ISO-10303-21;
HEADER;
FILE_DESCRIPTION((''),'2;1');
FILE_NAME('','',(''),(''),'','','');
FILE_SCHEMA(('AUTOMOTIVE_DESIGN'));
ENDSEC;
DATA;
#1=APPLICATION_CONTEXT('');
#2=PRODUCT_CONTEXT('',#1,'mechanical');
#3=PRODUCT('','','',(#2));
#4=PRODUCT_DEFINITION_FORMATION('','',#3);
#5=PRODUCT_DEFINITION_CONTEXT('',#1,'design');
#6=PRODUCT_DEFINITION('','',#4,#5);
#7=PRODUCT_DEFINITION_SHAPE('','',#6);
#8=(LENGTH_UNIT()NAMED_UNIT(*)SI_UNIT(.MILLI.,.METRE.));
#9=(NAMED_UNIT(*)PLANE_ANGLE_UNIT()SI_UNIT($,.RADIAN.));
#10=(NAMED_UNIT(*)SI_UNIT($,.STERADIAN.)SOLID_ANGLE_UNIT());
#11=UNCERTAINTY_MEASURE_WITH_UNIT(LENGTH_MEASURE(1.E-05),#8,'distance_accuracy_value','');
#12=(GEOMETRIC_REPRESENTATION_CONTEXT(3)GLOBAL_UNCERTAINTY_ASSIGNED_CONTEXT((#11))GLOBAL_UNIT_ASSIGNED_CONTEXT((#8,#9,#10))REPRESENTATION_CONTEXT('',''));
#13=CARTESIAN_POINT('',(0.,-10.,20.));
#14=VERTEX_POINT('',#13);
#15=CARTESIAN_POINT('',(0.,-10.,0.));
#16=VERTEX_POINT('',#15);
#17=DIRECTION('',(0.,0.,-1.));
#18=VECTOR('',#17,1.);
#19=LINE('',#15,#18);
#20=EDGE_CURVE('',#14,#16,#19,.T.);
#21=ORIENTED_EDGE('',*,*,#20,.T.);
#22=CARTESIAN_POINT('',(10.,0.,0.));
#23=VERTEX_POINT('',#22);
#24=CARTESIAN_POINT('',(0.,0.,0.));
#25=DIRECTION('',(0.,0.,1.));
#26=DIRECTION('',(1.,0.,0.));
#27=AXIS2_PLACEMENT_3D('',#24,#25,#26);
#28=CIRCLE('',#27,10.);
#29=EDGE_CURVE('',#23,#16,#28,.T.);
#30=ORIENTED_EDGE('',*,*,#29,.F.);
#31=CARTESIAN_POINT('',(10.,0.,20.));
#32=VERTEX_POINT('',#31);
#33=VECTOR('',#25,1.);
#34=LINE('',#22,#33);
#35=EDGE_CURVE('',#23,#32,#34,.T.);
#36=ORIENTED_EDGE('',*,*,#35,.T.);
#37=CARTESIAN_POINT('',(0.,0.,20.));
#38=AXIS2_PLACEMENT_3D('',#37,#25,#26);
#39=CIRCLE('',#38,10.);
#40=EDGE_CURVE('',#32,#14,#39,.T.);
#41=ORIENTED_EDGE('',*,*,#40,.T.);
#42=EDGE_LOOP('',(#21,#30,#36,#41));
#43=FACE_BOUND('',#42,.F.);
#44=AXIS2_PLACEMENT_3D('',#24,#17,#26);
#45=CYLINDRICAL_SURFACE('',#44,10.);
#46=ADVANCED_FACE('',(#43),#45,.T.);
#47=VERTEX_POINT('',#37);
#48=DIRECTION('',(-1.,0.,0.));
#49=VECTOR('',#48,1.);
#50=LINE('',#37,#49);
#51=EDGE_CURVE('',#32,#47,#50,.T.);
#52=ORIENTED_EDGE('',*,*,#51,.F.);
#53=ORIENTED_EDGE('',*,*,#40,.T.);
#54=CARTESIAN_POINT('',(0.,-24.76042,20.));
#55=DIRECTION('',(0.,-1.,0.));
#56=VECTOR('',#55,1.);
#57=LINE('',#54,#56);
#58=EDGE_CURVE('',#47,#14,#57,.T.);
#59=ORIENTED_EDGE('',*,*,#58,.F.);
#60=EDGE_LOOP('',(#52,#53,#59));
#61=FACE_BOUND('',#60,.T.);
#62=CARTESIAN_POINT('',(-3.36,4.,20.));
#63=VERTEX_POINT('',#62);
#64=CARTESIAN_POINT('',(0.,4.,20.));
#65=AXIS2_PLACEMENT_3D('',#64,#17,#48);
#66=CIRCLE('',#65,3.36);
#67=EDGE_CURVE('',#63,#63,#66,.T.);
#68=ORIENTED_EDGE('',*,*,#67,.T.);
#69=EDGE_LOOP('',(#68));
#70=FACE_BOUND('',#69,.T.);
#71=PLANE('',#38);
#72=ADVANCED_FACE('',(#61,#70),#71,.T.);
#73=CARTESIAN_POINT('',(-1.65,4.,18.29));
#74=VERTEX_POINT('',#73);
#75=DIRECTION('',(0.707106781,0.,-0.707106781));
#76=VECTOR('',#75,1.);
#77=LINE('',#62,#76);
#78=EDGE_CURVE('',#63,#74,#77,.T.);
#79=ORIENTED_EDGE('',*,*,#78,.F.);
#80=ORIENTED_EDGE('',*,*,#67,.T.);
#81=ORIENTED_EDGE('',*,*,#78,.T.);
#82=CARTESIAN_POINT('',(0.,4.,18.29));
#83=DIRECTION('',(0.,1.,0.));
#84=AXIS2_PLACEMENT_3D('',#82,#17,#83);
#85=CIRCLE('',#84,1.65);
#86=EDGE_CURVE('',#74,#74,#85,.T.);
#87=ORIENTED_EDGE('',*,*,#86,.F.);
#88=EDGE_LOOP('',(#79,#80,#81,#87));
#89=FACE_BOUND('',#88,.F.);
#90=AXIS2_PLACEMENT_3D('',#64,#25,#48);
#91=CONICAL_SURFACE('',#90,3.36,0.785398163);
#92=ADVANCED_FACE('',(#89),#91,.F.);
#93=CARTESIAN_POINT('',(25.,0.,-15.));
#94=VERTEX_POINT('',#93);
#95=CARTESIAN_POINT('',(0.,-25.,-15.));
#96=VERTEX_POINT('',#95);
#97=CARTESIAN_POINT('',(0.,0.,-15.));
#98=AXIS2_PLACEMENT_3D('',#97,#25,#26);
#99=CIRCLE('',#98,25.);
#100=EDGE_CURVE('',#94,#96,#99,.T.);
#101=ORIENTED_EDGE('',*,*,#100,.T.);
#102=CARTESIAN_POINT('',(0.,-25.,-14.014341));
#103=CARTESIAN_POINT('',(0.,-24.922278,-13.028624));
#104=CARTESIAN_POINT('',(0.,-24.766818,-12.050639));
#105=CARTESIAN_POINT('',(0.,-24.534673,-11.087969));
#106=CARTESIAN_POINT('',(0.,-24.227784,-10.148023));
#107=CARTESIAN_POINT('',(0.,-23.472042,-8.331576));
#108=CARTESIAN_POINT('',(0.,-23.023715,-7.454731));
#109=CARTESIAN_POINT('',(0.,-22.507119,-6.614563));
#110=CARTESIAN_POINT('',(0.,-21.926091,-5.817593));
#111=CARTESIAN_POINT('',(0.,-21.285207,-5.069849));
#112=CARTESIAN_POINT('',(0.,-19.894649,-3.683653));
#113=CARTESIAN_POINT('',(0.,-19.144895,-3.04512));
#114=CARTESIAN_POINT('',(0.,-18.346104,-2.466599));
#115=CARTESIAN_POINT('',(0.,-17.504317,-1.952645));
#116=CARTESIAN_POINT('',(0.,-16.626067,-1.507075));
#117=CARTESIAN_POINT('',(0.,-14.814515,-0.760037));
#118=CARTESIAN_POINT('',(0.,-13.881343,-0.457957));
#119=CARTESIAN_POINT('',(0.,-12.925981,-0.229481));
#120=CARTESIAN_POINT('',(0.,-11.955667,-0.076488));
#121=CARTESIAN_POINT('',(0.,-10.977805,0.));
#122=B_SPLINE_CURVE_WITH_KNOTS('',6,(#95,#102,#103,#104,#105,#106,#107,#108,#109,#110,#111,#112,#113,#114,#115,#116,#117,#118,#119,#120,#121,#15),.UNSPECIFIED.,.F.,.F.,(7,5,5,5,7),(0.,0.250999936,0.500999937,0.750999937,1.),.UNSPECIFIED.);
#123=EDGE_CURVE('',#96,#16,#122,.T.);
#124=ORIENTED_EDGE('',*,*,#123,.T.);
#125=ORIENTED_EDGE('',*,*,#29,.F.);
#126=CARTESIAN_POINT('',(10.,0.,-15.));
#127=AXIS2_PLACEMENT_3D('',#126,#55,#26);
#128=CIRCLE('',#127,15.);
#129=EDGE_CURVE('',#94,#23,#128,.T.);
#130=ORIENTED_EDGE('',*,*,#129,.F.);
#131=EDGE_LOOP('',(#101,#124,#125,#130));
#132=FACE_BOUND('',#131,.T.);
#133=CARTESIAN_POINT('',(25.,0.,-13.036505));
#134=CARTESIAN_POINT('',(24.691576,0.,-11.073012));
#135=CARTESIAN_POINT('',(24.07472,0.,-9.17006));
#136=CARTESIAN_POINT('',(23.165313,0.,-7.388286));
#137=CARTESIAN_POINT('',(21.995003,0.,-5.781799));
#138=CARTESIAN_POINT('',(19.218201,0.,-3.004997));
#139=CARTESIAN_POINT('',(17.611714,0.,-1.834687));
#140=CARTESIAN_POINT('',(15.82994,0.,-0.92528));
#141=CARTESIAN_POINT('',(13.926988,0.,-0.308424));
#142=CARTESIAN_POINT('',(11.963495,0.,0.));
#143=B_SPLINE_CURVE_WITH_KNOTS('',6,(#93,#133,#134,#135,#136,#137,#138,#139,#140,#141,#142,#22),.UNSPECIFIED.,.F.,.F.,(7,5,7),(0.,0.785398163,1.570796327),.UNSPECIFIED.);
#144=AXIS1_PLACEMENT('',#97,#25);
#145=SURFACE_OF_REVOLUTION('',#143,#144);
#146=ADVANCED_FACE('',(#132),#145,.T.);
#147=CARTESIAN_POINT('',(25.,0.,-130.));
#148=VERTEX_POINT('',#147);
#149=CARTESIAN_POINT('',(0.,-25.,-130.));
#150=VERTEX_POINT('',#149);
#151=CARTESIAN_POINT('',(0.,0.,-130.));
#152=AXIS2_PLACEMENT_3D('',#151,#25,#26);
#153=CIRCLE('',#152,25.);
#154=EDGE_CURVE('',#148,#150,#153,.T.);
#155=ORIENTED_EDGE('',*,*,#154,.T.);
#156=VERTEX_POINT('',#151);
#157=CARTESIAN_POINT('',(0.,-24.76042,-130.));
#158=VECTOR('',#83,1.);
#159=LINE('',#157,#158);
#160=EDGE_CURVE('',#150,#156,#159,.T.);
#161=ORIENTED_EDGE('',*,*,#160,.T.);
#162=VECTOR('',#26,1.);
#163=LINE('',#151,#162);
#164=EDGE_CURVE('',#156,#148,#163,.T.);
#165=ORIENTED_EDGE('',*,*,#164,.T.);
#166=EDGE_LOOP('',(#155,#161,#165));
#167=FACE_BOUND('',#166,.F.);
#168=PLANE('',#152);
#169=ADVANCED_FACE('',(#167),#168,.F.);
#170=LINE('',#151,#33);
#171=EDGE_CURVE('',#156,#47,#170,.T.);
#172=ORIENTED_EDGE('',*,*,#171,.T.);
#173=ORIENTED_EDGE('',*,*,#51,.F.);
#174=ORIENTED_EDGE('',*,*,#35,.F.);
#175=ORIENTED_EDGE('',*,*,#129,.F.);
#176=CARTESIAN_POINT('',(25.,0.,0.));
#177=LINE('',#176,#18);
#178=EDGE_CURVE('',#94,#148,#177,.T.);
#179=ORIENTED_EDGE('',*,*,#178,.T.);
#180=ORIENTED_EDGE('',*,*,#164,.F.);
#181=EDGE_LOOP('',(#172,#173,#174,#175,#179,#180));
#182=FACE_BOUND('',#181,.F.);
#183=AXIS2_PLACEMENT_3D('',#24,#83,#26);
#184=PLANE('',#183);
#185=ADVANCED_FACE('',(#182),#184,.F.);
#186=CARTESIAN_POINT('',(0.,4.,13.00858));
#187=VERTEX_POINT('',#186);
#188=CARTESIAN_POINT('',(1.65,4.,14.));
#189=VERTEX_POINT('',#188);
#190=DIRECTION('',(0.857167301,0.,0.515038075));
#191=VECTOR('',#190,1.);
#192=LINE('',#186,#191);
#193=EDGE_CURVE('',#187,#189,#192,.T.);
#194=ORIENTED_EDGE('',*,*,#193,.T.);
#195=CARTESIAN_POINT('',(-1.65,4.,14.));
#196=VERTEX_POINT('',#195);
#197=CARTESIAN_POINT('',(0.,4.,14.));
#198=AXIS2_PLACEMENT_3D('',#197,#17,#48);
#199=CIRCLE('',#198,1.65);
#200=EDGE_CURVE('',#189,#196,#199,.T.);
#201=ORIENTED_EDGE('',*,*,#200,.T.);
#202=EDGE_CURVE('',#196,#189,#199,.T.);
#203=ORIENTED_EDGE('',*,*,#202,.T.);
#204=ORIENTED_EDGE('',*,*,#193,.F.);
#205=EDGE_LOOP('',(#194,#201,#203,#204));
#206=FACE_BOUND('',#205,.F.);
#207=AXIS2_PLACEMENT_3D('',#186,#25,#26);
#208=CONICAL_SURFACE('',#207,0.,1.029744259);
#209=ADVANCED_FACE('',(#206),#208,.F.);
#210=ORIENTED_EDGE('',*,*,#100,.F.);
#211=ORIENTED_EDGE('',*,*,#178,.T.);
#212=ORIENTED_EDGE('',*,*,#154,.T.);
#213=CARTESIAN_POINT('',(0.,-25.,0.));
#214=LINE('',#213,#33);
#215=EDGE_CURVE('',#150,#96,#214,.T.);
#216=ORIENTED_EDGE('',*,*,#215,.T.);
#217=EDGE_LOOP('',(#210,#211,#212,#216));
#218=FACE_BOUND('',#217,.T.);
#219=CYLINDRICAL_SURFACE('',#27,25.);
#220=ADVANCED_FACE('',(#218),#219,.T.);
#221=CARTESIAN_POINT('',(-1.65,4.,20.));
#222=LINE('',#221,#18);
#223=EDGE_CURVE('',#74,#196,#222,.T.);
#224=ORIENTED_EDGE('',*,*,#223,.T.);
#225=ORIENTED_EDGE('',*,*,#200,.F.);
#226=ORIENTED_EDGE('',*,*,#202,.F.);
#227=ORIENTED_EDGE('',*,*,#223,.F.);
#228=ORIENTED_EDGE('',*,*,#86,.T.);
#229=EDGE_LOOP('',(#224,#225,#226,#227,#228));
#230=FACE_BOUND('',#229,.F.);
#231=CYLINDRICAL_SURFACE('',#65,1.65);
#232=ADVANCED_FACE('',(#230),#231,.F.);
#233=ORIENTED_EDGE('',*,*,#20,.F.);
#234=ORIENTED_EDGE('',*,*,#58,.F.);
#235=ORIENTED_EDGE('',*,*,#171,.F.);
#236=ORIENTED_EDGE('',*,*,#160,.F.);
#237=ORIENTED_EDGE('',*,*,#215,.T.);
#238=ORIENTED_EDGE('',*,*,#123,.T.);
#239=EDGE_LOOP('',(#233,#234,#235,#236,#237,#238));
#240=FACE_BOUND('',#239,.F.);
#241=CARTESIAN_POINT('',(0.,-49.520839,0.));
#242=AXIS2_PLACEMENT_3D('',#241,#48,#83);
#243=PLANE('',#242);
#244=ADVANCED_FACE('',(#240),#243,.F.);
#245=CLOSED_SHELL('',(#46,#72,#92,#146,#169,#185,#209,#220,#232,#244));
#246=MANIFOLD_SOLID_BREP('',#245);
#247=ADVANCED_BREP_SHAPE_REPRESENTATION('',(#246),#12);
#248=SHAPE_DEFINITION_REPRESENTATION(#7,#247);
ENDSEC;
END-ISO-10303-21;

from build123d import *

# Parameters (mm, degrees)
F0_R           = 25
F0_R_2         = 10
F1_DEPTH       = 130
F2_R           = 15
F3_DEPTH       = 20
F4_W           = 74.8539417982
F4_H           = 49.5208390057
F5_DEPTH       = 20.001
F5_DEPTH_BACK  = 130.001
F7_D           = 3.3
F7_DEPTH       = 6
F7_CSINK_D     = 6.72
F7_CSINK_ANGLE = 90
F7_TIP         = 0.9914200214


with BuildPart() as f1:
    # F0 (on Top) → F1 (new body)
    with BuildSketch(Plane.XY):
        Circle(F0_R)
        Circle(F0_R_2, mode=Mode.SUBTRACT)
        Circle(F0_R_2)
    extrude(amount=-F1_DEPTH)

    # F2
    f2_edges = [f1.edges().sort_by_distance(p)[0] for p in [
        (-25, 0, 0),
    ]]
    fillet(f2_edges, radius=F2_R)

    # F0 (on Top) → F3 (join)
    with BuildSketch(Plane.XY):
        Circle(F0_R_2)
    extrude(amount=F3_DEPTH)

    # F4 (on Top) → F5 (cut, two sides)
    with BuildSketch(Plane.XY) as f5_sk:
        with Locations((37.4269708991, -24.7604195029)):
            Rectangle(F4_W, F4_H)
    extrude(amount=F5_DEPTH, mode=Mode.SUBTRACT)
    extrude(f5_sk.sketch, amount=-F5_DEPTH_BACK, mode=Mode.SUBTRACT)

    # F7
    with Locations(Plane.XY.offset(20)):
        with Locations((0, 4)):
            CounterSinkHole(F7_D / 2, F7_CSINK_D / 2, depth=F7_DEPTH, counter_sink_angle=F7_CSINK_ANGLE)
            with Locations((0, 0, -(F7_DEPTH + F7_TIP / 2))):  # 118° drill point
                Cone(0, F7_D / 2, F7_TIP, mode=Mode.SUBTRACT)


solid = f1.part
